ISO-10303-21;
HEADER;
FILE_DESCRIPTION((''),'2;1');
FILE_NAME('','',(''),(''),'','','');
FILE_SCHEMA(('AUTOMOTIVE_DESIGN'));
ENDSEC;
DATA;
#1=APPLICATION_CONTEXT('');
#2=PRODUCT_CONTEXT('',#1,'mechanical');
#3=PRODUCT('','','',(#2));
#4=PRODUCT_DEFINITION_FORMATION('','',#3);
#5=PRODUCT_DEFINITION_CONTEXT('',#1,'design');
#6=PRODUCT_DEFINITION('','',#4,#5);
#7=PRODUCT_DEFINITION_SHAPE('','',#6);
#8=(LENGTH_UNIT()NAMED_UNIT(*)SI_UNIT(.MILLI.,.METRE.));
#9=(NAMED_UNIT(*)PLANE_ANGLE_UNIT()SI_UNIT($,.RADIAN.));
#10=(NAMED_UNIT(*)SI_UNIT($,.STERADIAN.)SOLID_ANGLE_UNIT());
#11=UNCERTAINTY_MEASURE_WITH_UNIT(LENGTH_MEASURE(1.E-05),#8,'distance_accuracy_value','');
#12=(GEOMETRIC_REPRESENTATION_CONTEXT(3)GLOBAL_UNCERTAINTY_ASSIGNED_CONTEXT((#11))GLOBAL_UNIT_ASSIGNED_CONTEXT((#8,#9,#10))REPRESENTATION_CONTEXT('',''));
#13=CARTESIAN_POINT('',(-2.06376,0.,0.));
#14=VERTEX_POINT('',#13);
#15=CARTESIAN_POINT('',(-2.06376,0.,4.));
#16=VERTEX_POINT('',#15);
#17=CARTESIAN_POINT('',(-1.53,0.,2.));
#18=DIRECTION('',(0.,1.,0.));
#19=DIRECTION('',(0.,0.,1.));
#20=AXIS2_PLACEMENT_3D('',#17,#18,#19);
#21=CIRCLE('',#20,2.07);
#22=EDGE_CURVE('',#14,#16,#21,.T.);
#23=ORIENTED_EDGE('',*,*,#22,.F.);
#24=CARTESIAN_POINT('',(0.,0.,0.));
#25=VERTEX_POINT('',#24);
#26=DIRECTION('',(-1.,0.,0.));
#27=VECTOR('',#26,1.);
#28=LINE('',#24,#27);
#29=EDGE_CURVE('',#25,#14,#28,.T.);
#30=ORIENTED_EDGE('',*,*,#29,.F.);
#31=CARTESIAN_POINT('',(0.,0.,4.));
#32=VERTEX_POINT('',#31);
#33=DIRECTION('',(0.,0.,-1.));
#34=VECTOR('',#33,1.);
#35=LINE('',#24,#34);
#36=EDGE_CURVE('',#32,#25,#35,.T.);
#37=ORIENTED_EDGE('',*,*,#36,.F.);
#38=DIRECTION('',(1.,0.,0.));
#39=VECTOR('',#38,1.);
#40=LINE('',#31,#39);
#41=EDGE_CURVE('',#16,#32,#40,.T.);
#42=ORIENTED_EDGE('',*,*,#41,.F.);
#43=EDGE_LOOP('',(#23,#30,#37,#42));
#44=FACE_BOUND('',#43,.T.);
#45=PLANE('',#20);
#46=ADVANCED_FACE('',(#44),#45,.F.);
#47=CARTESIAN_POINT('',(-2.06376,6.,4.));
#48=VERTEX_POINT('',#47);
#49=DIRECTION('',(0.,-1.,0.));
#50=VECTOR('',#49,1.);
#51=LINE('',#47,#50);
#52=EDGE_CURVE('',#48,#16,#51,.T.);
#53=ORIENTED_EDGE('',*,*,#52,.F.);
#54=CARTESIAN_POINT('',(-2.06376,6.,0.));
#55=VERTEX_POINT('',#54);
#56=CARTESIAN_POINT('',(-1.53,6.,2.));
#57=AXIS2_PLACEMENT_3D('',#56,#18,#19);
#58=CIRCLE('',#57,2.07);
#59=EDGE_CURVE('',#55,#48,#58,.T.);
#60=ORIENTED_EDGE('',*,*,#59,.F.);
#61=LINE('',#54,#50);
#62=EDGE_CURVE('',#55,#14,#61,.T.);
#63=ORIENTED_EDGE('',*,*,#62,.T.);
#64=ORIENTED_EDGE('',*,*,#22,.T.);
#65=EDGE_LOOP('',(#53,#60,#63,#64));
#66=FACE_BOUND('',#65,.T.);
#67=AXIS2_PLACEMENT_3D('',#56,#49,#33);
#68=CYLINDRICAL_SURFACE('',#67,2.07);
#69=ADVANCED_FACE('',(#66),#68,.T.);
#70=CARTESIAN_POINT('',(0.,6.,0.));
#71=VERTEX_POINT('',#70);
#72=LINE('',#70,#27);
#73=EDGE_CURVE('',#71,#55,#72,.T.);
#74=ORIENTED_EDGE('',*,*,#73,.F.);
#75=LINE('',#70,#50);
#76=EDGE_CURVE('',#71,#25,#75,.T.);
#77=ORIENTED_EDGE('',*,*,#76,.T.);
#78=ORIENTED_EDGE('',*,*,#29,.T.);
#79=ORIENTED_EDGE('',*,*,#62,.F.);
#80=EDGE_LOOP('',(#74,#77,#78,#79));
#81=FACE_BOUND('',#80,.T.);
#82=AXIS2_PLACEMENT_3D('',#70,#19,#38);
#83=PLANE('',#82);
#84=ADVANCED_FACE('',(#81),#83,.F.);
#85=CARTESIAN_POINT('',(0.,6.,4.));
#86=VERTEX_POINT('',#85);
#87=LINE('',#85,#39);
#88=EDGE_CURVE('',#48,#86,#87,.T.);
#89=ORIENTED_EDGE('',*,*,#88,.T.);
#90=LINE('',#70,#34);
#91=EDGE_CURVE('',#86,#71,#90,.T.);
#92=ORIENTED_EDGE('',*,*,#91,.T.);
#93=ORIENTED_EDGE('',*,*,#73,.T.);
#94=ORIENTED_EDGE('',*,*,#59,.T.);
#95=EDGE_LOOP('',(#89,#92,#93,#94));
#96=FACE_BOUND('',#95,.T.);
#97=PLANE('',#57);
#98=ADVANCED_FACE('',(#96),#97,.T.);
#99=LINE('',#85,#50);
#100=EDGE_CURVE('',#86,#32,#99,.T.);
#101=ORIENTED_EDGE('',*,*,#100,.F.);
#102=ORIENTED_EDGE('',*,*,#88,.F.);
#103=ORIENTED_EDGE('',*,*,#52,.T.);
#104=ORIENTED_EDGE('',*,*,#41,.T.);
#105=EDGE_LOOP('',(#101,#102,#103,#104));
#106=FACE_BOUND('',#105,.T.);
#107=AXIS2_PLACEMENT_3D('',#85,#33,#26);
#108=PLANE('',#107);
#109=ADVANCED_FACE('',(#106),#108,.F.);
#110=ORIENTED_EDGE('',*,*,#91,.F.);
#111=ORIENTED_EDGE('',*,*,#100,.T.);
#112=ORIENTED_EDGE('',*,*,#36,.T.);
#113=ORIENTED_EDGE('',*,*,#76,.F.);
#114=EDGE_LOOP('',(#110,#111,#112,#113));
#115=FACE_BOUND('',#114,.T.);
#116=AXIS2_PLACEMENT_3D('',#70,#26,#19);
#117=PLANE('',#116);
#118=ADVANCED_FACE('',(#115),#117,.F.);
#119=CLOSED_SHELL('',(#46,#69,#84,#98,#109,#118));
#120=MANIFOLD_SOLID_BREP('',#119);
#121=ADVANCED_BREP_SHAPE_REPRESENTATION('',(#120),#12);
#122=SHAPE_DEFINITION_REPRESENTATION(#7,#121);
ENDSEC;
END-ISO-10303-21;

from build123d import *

# Parameters (mm, degrees)
EXTRUDE_1_DEPTH = 6


with BuildPart() as part:
    # 草图1 → 凸台-拉伸1 (new body)
    with BuildSketch(Plane(origin=(0, 0, 0), x_dir=(1, 0, 0), z_dir=(0, 1, 0))):
        with BuildLine():
            Line((0, 0), (0, -4))
            Line((0, -4), (-2.063760246, -4))
            ThreePointArc((-2.063760246, -4), (-3.6, -2), (-2.063760246, 0))
            Line((-2.063760246, 0), (0, 0))
        make_face()
    extrude(amount=EXTRUDE_1_DEPTH)


solid = part.part
